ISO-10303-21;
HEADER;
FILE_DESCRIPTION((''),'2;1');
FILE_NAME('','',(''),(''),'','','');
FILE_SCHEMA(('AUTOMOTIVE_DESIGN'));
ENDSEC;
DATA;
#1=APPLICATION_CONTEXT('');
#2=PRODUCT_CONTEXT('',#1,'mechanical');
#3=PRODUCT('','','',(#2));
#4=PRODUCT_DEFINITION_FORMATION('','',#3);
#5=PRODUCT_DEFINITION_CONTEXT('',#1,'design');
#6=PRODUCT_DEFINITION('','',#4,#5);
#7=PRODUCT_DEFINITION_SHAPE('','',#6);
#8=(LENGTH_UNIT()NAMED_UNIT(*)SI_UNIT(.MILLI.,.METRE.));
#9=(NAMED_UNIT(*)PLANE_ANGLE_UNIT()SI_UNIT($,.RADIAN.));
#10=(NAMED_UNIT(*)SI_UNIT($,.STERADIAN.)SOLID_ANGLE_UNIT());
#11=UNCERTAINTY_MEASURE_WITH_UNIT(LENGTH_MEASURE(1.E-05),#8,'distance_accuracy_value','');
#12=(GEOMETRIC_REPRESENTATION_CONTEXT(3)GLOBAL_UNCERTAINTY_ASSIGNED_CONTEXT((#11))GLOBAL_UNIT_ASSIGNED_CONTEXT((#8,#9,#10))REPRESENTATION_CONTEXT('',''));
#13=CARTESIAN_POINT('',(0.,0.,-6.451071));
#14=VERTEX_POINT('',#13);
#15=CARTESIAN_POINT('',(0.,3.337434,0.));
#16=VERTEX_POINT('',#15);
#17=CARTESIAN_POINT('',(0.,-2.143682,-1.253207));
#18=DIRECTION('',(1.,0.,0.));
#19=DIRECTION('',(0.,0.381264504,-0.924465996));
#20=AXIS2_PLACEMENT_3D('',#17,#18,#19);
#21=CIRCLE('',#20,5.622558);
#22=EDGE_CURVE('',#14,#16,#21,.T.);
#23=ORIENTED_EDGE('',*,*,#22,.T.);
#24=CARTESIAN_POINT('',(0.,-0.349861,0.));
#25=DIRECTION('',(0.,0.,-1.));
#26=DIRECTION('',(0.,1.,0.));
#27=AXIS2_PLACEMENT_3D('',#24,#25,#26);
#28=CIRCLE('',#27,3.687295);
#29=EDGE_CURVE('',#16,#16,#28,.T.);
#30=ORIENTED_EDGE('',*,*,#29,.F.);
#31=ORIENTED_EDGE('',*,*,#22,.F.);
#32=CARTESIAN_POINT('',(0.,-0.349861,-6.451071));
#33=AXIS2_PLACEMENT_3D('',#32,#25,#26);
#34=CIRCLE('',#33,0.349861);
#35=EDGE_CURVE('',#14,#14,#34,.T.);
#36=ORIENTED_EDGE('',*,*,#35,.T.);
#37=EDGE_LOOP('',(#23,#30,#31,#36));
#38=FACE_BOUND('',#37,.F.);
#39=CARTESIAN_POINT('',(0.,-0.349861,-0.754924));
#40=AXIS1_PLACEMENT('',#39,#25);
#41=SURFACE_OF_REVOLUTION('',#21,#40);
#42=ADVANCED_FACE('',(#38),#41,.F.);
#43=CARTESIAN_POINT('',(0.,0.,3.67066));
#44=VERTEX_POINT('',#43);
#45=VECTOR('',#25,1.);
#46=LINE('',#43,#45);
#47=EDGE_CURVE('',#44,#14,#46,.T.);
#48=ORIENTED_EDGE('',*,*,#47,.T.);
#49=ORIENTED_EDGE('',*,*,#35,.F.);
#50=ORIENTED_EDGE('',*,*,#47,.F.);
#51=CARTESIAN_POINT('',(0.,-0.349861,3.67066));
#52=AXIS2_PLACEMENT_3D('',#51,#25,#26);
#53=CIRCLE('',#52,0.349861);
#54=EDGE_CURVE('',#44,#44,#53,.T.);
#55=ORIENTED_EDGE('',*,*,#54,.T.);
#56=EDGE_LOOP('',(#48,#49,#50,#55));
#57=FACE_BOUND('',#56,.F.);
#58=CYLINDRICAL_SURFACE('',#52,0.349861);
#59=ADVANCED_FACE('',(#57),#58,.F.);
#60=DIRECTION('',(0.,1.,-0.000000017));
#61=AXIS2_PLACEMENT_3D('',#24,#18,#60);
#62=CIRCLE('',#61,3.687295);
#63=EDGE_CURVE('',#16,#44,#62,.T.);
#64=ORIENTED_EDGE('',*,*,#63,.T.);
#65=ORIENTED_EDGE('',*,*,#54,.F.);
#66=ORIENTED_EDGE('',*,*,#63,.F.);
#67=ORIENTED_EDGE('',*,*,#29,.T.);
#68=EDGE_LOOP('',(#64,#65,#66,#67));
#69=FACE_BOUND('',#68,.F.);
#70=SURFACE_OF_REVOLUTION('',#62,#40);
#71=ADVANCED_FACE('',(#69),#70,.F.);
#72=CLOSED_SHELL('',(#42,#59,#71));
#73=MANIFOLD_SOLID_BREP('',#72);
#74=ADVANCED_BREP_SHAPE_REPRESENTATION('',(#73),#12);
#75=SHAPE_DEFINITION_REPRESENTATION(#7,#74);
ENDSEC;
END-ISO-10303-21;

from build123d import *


with BuildPart() as f1:
    # F0 (on Right) → F1 (revolve)
    with BuildSketch(Plane.YZ):
        with BuildLine():
            ThreePointArc((0, -6.451071), (2.850161, -3.83675), (3.337434, 0))
            ThreePointArc((3.337434, 0), (2.378342, 2.480535), (0, 3.67066))
            Line((0, 3.67066), (0, -6.451071))
        make_face()
    revolve(axis=Axis((0, -0.349861, -0.754924), (0, 0, -1)))


solid = f1.part
